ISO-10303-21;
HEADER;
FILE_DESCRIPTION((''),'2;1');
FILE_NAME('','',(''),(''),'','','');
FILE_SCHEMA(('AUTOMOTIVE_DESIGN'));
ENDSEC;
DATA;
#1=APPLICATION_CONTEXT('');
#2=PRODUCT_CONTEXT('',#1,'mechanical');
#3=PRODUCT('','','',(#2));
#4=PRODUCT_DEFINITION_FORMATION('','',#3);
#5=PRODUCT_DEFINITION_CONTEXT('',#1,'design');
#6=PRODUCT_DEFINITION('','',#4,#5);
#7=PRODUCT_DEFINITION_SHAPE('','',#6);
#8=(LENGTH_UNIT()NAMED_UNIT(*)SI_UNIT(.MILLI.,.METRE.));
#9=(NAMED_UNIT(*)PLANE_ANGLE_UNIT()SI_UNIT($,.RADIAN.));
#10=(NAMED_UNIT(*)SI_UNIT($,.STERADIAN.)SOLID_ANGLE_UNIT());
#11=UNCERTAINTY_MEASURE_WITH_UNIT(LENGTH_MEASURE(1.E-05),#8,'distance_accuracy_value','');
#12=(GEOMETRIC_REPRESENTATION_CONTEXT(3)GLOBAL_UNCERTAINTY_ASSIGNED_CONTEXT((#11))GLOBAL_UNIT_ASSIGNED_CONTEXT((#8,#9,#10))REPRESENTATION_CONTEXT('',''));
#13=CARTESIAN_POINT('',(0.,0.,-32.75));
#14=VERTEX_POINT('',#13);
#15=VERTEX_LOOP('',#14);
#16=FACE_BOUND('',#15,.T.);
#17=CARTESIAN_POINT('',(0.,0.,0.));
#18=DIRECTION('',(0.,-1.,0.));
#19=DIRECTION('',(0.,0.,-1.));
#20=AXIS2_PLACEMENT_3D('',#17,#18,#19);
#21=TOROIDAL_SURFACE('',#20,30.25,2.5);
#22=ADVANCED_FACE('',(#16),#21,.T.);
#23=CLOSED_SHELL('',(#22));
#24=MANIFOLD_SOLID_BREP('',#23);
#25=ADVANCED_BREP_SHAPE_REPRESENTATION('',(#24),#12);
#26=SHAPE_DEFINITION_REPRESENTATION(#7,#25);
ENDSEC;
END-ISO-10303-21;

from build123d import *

# Parameters (mm, degrees)
SKETCH1_R = 2.5


with BuildPart() as part:
    # Sketch1 → Revolve1 (revolve)
    with BuildSketch(Plane.XY):
        with Locations((-30.25, 0)):
            Circle(SKETCH1_R)
    revolve(axis=Axis((0, 0, 0), (0, 1, 0)))


solid = part.part
